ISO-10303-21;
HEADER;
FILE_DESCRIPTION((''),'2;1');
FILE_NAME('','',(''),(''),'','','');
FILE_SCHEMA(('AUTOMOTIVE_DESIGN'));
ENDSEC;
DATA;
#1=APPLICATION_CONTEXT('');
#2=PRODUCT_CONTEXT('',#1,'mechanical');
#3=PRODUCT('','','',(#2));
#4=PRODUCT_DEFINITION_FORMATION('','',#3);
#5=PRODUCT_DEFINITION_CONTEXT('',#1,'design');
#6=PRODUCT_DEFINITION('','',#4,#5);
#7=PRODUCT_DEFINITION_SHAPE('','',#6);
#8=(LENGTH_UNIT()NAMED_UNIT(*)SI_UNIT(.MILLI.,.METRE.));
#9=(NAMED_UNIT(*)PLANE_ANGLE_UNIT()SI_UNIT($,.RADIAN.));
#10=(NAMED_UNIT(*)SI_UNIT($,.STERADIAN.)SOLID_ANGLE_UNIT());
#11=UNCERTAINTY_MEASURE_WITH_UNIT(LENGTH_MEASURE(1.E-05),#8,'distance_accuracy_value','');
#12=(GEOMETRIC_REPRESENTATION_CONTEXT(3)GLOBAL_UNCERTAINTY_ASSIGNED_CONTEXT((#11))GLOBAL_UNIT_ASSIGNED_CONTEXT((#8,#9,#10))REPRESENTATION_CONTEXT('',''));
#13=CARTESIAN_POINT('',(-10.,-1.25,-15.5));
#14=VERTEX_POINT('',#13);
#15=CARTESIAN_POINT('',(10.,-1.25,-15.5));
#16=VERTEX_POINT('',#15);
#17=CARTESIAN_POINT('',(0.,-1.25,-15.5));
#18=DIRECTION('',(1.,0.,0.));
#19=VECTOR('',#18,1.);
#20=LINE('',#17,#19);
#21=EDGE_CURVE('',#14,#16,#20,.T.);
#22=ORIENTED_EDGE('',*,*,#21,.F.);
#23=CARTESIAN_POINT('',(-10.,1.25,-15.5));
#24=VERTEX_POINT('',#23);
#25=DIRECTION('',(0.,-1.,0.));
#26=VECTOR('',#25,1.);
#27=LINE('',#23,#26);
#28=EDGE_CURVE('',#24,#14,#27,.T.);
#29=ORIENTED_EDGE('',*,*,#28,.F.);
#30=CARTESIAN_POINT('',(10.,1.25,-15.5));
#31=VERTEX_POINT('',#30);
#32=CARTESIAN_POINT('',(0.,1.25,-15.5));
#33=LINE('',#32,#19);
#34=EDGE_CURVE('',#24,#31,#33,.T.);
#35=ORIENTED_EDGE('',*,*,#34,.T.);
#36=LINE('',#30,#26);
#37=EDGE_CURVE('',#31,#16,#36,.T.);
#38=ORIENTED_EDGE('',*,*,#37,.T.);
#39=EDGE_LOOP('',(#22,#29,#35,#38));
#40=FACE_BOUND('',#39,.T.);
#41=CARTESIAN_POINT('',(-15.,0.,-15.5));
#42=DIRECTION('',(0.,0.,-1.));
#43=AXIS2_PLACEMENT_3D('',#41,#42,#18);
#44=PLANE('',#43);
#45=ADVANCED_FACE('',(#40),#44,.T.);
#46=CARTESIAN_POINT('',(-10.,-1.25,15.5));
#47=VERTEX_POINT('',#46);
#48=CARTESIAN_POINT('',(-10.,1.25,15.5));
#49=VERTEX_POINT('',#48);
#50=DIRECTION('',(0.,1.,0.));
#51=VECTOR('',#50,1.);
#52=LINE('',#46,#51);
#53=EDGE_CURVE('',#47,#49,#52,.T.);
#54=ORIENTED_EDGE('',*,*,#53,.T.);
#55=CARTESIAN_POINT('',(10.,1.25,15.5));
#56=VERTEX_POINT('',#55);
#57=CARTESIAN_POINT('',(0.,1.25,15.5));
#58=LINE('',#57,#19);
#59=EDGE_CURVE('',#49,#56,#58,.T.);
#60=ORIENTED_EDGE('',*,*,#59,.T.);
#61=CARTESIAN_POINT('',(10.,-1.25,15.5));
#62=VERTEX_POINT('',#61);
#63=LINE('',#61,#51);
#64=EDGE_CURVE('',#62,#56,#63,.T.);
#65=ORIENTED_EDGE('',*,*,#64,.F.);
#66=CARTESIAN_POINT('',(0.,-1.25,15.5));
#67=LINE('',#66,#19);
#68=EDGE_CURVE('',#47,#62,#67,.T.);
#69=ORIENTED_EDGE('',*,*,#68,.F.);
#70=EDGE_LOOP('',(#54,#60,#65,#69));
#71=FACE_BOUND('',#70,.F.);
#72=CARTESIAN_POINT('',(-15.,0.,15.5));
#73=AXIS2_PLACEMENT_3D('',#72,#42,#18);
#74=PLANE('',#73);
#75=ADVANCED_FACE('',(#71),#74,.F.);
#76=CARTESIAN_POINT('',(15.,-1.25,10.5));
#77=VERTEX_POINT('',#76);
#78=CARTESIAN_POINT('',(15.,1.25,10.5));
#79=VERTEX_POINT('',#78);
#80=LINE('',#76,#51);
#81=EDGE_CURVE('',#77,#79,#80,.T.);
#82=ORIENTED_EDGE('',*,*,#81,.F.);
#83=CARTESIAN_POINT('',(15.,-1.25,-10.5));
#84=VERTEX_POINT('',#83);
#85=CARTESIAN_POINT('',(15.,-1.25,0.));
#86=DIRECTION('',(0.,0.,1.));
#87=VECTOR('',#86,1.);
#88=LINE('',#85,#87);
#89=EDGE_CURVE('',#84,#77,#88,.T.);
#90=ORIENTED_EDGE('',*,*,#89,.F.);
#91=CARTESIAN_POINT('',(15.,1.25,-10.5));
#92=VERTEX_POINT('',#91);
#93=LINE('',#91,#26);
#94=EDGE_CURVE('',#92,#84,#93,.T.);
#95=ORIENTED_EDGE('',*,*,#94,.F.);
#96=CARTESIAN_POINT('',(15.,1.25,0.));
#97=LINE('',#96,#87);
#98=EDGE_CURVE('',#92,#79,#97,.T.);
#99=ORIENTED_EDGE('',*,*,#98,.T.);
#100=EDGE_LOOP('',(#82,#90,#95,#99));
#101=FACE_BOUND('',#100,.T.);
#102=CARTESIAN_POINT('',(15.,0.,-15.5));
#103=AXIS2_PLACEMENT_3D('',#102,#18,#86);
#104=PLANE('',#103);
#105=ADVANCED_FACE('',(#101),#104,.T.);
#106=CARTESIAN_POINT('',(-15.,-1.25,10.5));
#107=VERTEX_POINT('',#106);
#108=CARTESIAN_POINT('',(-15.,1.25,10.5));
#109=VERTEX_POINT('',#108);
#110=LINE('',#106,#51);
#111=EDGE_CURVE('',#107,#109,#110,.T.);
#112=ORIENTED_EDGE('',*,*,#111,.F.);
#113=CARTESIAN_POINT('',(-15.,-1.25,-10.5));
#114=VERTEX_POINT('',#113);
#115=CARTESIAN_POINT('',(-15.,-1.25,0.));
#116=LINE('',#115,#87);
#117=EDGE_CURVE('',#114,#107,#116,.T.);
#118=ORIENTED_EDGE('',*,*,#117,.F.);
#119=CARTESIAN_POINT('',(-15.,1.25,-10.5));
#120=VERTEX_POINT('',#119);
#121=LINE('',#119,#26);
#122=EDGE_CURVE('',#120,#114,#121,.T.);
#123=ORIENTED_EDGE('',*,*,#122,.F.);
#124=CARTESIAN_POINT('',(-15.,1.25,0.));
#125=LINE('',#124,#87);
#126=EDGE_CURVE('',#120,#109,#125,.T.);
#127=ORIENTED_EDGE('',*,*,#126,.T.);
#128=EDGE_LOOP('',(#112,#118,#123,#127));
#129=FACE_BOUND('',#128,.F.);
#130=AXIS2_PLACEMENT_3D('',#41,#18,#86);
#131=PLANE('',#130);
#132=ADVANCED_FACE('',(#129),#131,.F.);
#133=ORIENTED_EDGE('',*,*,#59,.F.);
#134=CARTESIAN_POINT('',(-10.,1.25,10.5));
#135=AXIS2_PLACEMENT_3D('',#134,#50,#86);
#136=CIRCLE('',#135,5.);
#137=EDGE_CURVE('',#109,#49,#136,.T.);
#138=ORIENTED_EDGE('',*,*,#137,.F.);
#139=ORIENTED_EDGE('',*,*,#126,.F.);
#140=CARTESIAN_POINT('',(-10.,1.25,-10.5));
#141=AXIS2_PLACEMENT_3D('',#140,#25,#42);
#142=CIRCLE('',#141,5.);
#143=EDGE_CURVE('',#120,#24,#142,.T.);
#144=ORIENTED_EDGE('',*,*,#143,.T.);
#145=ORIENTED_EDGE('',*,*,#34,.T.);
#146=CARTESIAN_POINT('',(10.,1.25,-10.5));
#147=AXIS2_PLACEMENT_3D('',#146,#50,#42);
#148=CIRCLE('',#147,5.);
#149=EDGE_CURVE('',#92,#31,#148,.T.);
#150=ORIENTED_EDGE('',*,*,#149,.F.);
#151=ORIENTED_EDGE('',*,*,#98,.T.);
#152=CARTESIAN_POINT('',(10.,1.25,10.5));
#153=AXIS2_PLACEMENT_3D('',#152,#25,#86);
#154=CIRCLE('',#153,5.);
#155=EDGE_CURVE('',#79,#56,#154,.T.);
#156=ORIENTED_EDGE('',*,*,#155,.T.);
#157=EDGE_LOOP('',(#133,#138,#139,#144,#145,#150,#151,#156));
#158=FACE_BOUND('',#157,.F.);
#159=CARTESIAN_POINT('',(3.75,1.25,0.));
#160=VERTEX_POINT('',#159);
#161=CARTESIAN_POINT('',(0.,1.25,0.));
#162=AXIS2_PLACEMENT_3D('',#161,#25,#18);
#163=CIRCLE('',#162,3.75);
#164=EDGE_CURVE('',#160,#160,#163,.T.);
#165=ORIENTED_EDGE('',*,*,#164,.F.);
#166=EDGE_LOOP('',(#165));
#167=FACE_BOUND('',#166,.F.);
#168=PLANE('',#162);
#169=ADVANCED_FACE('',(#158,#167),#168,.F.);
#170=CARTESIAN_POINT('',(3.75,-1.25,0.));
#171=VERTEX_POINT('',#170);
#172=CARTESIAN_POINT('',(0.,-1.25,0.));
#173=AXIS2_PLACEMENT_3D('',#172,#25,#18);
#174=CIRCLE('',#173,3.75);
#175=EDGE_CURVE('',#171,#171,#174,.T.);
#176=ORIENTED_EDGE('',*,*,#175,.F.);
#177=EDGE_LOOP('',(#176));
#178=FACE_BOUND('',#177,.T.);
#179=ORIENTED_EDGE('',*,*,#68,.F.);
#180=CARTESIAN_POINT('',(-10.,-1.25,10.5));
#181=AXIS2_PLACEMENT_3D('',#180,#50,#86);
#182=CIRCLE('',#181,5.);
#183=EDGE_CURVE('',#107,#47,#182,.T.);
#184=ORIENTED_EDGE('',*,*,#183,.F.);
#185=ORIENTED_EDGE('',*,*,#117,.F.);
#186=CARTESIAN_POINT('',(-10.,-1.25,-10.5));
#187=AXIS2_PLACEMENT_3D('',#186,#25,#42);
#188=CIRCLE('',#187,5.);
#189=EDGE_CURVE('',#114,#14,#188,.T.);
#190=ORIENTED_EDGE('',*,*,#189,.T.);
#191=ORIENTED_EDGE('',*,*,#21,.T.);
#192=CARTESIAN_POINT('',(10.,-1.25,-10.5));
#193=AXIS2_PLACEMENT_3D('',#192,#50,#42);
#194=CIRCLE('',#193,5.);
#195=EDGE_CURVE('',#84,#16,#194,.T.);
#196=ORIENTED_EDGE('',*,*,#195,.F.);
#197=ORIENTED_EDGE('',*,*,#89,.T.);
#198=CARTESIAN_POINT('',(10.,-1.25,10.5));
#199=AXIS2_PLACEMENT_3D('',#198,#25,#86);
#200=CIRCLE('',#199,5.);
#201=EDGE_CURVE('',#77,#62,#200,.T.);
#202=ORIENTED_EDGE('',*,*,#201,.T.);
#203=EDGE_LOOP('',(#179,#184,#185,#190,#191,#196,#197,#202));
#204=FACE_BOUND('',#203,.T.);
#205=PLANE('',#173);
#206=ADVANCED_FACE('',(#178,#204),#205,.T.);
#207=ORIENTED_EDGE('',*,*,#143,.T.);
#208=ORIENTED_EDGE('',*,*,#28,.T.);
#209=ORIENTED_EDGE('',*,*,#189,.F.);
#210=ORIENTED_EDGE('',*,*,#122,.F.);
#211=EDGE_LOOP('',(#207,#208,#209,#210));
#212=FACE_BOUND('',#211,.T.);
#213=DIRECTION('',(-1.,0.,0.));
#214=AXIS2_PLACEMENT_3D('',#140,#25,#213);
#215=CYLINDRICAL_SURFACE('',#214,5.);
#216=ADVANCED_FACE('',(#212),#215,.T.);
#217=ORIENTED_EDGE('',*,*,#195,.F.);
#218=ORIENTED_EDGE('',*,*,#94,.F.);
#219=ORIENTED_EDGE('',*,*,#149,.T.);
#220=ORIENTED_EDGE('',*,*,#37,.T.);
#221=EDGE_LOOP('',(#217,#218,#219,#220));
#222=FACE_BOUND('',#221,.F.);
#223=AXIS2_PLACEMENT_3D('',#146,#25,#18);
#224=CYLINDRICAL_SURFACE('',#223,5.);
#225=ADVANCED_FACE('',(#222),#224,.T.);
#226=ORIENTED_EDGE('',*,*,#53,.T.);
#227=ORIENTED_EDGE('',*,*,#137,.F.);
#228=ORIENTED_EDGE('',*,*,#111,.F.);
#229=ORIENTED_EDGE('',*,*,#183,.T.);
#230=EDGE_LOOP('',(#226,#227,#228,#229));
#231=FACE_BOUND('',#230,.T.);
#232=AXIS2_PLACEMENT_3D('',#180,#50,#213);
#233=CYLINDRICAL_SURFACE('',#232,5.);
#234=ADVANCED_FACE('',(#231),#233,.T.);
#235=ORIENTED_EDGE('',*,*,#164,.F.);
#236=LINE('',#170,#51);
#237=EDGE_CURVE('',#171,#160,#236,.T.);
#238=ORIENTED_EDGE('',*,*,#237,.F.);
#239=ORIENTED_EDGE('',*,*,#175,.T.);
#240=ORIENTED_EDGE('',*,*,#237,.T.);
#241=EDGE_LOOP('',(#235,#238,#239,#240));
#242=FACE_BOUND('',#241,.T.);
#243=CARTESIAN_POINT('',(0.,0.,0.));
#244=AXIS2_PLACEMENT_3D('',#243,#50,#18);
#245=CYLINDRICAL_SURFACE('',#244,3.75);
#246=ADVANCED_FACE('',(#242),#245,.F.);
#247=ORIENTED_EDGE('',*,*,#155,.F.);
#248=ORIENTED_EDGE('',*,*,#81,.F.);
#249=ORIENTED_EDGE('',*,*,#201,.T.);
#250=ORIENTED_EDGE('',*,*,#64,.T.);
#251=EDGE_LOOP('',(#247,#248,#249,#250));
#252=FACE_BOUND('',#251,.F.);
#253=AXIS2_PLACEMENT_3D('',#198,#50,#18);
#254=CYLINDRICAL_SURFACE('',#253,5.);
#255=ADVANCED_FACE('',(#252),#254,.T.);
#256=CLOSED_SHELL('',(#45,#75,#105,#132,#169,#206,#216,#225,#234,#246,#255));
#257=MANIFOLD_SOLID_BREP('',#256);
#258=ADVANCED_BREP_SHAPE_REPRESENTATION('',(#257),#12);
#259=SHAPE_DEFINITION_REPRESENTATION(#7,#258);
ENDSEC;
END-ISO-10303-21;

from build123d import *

# Parameters (mm, degrees)
F0_W     = 30
F0_H     = 31
F0_R     = 3.75
F1_DEPTH = 1.25
F2_R     = 5


with BuildPart() as f1:
    # F0 (on Front) → F1 (new body, symmetric)
    with BuildSketch(Plane.XZ):
        Rectangle(F0_W, F0_H)
        Circle(F0_R, mode=Mode.SUBTRACT)
    extrude(amount=F1_DEPTH, both=True)

    # F2
    f2_edges = [f1.edges().sort_by_distance(p)[0] for p in [
        (15, 0, 15.5),
        (15, 0, -15.5),
        (-15, 0, 15.5),
        (-15, 0, -15.5),
    ]]
    fillet(f2_edges, radius=F2_R)


solid = f1.part
